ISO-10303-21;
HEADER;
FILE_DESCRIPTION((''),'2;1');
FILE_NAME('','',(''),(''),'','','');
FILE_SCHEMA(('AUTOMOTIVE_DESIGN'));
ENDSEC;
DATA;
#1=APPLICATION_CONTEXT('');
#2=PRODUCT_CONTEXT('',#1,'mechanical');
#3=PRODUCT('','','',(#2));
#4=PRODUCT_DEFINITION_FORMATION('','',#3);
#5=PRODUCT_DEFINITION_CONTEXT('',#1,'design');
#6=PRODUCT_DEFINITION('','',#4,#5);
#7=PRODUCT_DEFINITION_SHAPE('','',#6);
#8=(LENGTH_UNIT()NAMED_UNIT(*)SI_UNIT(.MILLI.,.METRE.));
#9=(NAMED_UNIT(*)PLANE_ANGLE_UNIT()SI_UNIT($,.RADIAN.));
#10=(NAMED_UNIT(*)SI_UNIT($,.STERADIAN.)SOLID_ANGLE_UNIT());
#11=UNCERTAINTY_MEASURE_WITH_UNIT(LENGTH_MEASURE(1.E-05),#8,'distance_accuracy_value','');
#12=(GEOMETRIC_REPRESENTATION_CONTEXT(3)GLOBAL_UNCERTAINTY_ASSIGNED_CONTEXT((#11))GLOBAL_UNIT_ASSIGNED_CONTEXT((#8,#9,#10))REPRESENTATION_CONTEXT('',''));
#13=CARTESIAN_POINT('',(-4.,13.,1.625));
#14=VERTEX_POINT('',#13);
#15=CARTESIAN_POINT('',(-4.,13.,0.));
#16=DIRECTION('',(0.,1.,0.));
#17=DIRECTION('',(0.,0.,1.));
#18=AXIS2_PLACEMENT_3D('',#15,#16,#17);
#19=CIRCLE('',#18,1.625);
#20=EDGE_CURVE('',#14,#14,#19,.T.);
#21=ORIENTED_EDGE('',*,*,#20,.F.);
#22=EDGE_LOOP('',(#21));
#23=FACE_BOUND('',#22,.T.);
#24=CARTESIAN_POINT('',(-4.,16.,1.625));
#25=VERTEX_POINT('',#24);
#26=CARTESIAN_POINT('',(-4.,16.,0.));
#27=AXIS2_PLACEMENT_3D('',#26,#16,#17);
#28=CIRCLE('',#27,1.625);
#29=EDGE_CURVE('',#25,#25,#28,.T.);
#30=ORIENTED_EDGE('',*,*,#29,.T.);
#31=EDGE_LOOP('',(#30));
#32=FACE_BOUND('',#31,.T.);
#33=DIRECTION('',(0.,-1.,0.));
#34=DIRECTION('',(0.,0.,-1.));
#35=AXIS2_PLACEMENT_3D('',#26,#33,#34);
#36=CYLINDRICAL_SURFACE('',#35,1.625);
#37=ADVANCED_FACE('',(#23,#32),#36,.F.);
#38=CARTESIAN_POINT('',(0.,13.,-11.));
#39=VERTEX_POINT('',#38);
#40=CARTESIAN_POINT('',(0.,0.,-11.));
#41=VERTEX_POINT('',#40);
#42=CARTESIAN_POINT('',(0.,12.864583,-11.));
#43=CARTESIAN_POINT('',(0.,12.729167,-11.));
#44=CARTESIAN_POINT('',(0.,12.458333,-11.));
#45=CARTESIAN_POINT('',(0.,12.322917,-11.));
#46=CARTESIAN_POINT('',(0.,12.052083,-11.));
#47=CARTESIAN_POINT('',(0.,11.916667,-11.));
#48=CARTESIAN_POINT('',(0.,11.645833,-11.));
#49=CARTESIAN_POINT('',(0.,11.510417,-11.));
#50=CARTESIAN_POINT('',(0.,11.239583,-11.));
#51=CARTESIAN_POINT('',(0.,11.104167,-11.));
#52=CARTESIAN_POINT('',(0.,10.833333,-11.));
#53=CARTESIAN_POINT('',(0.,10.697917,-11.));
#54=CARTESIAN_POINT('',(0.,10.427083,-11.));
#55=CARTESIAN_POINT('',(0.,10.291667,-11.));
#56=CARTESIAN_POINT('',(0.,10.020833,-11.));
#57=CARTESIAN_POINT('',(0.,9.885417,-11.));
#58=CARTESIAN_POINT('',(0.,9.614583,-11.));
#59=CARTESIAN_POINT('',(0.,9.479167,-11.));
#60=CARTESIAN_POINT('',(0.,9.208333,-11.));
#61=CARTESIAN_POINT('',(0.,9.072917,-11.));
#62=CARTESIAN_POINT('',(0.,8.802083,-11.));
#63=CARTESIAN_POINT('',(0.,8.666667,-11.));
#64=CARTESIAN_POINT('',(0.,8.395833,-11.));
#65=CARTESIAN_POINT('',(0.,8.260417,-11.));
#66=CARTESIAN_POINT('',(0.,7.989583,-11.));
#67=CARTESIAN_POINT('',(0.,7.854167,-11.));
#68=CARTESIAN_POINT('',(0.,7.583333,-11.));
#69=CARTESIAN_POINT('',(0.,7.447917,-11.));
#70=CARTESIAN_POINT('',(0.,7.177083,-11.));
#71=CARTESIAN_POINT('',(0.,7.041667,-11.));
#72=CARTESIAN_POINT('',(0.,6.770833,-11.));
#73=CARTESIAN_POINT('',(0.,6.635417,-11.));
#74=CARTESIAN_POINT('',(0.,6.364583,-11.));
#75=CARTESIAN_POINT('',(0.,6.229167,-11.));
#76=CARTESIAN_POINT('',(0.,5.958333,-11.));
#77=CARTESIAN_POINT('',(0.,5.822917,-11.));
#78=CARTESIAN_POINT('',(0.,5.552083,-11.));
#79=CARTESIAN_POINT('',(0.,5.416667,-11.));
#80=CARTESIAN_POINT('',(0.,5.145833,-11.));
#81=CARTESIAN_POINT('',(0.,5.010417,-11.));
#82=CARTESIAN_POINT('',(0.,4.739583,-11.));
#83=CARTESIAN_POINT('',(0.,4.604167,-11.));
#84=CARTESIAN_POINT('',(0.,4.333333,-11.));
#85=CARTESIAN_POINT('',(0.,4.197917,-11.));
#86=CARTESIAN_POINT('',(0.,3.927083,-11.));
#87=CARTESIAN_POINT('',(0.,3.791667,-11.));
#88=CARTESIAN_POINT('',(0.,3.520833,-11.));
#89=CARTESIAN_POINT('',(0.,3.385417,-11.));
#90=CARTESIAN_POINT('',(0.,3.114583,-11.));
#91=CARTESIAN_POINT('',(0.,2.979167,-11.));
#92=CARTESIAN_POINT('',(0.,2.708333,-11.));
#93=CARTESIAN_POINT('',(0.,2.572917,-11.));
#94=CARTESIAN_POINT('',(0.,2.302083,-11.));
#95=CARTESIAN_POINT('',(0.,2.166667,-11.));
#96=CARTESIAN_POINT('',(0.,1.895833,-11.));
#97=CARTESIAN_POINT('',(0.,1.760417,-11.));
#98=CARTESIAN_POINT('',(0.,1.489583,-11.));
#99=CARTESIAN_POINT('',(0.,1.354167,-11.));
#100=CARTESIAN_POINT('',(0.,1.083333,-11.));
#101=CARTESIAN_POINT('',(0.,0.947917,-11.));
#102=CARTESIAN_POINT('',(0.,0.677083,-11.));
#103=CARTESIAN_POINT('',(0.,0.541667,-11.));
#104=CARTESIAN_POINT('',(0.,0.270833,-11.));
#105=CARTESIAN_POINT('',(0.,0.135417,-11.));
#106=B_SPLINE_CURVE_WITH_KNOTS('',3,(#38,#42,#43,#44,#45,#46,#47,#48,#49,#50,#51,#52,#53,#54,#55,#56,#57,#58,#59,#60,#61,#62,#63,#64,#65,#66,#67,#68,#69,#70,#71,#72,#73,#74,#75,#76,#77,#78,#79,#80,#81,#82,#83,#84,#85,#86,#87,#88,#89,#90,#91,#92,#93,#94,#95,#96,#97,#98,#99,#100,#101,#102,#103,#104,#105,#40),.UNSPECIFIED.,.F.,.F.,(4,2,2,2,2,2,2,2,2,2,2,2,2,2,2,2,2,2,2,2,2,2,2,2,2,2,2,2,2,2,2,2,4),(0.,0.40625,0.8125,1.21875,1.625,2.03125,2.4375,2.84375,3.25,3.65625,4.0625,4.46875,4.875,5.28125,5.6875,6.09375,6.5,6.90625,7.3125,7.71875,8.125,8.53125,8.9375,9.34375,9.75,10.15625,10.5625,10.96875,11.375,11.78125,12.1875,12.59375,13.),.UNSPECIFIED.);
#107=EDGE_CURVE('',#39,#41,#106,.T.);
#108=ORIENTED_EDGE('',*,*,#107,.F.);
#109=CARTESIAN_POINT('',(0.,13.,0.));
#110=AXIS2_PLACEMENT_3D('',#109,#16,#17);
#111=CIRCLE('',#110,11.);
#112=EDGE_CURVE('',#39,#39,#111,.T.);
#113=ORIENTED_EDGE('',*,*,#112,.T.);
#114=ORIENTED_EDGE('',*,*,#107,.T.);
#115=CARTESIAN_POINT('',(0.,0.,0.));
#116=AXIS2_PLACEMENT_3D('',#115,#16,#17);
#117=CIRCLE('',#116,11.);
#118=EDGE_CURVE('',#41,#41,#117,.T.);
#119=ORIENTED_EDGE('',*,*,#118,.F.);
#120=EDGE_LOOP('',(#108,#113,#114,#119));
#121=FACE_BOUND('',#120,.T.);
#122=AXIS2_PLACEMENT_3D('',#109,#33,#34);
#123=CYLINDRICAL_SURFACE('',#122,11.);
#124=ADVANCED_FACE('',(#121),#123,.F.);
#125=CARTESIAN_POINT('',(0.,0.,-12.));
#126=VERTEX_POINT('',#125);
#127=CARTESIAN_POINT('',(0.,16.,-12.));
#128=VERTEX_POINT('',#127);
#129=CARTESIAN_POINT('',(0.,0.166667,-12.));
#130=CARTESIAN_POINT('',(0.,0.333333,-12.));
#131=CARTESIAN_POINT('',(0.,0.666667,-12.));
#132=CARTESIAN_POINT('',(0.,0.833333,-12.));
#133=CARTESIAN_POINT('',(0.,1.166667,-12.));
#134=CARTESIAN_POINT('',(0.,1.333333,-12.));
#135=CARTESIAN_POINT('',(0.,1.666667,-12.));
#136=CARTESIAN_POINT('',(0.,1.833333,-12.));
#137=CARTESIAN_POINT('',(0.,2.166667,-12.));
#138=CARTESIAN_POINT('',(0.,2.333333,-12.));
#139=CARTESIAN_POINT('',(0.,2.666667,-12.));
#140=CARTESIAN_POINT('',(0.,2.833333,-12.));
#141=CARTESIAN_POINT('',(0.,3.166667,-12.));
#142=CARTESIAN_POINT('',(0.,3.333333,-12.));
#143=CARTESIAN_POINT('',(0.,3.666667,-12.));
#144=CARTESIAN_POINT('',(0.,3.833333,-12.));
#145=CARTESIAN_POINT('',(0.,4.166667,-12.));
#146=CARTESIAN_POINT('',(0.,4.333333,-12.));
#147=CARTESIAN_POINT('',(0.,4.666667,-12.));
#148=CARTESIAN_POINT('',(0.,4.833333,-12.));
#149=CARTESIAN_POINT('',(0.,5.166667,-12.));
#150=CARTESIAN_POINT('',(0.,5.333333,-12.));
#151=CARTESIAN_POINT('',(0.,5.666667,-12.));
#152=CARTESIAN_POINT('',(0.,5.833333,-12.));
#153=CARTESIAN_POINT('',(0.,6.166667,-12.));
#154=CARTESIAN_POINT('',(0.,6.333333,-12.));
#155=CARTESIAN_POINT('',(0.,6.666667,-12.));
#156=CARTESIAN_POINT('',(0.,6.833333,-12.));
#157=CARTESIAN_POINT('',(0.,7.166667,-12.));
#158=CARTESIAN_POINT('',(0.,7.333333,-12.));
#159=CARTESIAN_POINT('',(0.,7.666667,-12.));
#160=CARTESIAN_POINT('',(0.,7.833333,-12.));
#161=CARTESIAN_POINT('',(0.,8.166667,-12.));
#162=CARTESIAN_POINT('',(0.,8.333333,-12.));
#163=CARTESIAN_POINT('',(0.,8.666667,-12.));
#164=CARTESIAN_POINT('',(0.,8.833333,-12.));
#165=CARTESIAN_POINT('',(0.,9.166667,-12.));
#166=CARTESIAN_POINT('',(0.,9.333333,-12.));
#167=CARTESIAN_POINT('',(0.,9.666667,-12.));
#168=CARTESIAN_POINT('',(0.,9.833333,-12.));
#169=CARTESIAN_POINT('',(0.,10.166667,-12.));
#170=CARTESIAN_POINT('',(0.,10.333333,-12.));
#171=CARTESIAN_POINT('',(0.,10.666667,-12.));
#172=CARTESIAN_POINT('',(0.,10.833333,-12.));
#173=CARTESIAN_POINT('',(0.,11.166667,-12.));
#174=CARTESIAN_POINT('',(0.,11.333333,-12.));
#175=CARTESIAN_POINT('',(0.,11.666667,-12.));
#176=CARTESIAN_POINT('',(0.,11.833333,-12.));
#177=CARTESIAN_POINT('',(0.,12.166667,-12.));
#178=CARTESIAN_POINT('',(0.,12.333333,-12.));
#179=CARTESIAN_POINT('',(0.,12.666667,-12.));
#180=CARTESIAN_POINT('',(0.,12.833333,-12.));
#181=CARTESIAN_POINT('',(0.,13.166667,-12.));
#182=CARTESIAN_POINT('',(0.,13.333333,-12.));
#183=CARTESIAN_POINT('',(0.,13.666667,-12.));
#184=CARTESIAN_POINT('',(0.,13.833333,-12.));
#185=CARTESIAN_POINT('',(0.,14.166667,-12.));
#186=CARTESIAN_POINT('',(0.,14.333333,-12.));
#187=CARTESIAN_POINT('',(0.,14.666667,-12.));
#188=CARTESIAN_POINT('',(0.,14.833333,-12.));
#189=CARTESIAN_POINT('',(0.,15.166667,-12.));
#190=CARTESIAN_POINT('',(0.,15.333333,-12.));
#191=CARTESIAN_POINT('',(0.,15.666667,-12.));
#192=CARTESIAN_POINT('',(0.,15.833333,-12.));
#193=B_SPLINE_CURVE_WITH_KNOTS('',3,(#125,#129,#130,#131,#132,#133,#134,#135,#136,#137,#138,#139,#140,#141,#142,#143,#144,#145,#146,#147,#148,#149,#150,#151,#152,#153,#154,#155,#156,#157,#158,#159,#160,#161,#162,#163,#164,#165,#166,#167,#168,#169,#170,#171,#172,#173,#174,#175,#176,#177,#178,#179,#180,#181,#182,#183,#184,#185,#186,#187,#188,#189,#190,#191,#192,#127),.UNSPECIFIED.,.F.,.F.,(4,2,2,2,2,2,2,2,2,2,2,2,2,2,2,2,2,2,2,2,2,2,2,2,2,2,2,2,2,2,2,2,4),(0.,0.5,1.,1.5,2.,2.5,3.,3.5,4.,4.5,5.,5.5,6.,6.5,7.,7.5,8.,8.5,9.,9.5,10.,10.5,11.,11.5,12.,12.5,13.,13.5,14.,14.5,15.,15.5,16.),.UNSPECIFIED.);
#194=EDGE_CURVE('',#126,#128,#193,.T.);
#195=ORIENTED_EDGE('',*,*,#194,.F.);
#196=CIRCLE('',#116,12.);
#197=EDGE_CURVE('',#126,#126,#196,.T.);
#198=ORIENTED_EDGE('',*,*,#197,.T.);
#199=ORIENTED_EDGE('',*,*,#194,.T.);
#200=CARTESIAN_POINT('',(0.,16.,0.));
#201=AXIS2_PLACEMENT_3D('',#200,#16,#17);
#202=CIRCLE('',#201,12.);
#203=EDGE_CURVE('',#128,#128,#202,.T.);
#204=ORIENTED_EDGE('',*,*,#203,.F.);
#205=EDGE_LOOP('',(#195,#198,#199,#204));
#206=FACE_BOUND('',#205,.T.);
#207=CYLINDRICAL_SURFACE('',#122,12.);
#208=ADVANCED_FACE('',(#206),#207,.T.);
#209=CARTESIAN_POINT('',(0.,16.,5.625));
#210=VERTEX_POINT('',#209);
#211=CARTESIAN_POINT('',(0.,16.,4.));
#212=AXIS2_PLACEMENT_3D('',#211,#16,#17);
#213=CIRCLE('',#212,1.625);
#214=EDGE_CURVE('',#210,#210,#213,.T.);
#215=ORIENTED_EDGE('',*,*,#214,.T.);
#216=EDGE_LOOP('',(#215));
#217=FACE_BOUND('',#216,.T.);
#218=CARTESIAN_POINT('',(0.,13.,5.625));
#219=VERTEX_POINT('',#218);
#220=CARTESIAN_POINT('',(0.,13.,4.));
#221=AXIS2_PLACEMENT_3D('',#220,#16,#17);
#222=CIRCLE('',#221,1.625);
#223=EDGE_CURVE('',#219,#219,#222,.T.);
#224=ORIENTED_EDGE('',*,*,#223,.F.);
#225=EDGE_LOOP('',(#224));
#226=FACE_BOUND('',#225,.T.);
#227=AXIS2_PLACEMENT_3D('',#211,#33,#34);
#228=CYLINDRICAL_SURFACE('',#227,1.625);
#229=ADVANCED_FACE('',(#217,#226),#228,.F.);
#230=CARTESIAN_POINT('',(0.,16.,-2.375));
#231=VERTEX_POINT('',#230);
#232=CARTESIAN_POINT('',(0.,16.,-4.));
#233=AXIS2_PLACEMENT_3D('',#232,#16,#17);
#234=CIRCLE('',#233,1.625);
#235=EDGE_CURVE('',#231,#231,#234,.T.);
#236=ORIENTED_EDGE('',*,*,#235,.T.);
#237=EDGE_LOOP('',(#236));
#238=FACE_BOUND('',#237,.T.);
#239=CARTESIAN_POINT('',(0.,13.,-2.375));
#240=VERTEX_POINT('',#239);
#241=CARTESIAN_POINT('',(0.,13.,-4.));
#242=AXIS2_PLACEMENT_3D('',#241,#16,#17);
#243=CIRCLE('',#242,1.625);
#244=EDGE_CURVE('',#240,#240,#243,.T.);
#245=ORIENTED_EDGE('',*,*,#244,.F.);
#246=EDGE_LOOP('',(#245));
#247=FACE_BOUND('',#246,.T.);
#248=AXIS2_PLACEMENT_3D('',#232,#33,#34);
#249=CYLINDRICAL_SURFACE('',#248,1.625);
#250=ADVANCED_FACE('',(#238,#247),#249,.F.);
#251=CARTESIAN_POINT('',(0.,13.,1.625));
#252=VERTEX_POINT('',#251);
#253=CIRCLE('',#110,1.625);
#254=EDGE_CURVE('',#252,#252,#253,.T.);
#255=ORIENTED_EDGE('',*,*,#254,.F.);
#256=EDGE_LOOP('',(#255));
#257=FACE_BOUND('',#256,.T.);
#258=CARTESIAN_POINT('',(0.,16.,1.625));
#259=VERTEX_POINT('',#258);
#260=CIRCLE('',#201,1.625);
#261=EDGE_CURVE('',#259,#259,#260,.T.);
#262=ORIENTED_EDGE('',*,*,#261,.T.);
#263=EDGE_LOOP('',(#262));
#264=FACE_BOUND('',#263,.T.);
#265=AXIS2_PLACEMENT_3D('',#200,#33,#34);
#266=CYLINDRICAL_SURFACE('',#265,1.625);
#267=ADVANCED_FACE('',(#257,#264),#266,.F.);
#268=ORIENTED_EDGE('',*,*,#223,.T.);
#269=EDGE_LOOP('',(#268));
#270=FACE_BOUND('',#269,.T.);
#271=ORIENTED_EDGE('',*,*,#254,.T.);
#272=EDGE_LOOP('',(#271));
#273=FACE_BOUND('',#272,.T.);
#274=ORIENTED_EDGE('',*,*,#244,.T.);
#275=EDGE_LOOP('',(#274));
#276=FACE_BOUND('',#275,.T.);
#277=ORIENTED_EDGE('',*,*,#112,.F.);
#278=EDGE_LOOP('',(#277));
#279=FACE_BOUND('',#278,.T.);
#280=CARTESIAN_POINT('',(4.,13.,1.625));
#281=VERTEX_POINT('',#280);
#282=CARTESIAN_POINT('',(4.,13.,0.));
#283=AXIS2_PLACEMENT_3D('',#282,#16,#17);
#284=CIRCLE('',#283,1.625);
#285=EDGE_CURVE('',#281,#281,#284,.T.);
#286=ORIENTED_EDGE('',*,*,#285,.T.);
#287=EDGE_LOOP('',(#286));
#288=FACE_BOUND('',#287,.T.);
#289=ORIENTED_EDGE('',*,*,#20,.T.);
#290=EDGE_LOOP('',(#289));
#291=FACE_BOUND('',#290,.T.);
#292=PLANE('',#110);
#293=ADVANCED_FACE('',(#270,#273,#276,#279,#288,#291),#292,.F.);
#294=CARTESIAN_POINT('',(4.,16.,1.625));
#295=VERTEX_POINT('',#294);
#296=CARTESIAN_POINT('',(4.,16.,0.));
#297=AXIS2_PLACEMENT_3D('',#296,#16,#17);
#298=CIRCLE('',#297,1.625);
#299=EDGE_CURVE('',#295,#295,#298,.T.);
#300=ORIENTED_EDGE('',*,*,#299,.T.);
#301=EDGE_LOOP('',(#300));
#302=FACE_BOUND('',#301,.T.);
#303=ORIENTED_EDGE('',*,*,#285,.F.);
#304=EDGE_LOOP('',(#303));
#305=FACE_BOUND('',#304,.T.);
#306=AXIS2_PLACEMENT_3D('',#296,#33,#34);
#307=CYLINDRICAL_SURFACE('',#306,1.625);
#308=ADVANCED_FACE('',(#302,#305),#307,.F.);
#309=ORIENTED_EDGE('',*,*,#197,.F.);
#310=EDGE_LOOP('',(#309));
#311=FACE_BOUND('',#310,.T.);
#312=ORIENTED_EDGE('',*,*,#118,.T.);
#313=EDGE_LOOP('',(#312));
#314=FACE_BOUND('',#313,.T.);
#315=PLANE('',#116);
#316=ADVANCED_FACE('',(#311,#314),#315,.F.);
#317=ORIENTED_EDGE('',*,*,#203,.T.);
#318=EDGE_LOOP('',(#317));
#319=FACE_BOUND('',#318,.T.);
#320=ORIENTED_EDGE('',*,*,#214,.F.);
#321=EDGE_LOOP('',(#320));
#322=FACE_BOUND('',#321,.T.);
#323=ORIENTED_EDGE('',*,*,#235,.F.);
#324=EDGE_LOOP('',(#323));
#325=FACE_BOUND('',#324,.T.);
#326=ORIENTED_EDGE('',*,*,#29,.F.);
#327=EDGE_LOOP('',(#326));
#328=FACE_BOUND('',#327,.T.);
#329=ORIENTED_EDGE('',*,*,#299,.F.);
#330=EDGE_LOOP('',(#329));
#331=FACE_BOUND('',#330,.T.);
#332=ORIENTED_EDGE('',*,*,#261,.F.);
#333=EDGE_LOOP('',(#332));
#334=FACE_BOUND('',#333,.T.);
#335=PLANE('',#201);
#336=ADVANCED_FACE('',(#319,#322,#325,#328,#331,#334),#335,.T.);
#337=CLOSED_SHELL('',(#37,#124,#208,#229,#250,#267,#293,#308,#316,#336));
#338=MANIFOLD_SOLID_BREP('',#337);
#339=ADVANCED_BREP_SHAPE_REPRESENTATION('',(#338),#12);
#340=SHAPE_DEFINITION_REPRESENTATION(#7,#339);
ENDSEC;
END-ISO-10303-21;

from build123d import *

# Parameters (mm, degrees)
CROQUIS1_R              = 12
CROQUIS1_R_2            = 11
SALIENTE_EXTRUIR1_DEPTH = 13
CROQUIS3_R              = 12
CROQUIS3_R_2            = 1.625
SALIENTE_EXTRUIR2_DEPTH = 3


with BuildPart() as part:
    # Croquis1 → Saliente-Extruir1 (new body)
    with BuildSketch(Plane(origin=(0, 0, 0), x_dir=(1, 0, 0), z_dir=(0, 1, 0))):
        with Locations(Location((0, 0, 0), (0, 0, 90))):
            Circle(CROQUIS1_R)
        with Locations(Location((0, 0, 0), (0, 0, 90))):
            Circle(CROQUIS1_R_2, mode=Mode.SUBTRACT)
    extrude(amount=SALIENTE_EXTRUIR1_DEPTH)

    # Croquis3 → Saliente-Extruir2 (add)
    with BuildSketch(Plane(origin=(0, 13, 0), x_dir=(1, 0, 0), z_dir=(0, 1, 0))):
        with Locations(Location((0, 0, 0), (0, 0, 90))):
            Circle(CROQUIS3_R)
        with Locations(Location((0, 0, 0), (0, 0, 270))):
            Circle(CROQUIS3_R_2, mode=Mode.SUBTRACT)
        with Locations(Location((0, 4, 0), (0, 0, 270))):
            Circle(CROQUIS3_R_2, mode=Mode.SUBTRACT)
        with Locations(Location((4, 0, 0), (0, 0, 270))):
            Circle(CROQUIS3_R_2, mode=Mode.SUBTRACT)
        with Locations(Location((0, -4, 0), (0, 0, 270))):
            Circle(CROQUIS3_R_2, mode=Mode.SUBTRACT)
        with Locations(Location((-4, 0, 0), (0, 0, 270))):
            Circle(CROQUIS3_R_2, mode=Mode.SUBTRACT)
    extrude(amount=SALIENTE_EXTRUIR2_DEPTH)


solid = part.part
